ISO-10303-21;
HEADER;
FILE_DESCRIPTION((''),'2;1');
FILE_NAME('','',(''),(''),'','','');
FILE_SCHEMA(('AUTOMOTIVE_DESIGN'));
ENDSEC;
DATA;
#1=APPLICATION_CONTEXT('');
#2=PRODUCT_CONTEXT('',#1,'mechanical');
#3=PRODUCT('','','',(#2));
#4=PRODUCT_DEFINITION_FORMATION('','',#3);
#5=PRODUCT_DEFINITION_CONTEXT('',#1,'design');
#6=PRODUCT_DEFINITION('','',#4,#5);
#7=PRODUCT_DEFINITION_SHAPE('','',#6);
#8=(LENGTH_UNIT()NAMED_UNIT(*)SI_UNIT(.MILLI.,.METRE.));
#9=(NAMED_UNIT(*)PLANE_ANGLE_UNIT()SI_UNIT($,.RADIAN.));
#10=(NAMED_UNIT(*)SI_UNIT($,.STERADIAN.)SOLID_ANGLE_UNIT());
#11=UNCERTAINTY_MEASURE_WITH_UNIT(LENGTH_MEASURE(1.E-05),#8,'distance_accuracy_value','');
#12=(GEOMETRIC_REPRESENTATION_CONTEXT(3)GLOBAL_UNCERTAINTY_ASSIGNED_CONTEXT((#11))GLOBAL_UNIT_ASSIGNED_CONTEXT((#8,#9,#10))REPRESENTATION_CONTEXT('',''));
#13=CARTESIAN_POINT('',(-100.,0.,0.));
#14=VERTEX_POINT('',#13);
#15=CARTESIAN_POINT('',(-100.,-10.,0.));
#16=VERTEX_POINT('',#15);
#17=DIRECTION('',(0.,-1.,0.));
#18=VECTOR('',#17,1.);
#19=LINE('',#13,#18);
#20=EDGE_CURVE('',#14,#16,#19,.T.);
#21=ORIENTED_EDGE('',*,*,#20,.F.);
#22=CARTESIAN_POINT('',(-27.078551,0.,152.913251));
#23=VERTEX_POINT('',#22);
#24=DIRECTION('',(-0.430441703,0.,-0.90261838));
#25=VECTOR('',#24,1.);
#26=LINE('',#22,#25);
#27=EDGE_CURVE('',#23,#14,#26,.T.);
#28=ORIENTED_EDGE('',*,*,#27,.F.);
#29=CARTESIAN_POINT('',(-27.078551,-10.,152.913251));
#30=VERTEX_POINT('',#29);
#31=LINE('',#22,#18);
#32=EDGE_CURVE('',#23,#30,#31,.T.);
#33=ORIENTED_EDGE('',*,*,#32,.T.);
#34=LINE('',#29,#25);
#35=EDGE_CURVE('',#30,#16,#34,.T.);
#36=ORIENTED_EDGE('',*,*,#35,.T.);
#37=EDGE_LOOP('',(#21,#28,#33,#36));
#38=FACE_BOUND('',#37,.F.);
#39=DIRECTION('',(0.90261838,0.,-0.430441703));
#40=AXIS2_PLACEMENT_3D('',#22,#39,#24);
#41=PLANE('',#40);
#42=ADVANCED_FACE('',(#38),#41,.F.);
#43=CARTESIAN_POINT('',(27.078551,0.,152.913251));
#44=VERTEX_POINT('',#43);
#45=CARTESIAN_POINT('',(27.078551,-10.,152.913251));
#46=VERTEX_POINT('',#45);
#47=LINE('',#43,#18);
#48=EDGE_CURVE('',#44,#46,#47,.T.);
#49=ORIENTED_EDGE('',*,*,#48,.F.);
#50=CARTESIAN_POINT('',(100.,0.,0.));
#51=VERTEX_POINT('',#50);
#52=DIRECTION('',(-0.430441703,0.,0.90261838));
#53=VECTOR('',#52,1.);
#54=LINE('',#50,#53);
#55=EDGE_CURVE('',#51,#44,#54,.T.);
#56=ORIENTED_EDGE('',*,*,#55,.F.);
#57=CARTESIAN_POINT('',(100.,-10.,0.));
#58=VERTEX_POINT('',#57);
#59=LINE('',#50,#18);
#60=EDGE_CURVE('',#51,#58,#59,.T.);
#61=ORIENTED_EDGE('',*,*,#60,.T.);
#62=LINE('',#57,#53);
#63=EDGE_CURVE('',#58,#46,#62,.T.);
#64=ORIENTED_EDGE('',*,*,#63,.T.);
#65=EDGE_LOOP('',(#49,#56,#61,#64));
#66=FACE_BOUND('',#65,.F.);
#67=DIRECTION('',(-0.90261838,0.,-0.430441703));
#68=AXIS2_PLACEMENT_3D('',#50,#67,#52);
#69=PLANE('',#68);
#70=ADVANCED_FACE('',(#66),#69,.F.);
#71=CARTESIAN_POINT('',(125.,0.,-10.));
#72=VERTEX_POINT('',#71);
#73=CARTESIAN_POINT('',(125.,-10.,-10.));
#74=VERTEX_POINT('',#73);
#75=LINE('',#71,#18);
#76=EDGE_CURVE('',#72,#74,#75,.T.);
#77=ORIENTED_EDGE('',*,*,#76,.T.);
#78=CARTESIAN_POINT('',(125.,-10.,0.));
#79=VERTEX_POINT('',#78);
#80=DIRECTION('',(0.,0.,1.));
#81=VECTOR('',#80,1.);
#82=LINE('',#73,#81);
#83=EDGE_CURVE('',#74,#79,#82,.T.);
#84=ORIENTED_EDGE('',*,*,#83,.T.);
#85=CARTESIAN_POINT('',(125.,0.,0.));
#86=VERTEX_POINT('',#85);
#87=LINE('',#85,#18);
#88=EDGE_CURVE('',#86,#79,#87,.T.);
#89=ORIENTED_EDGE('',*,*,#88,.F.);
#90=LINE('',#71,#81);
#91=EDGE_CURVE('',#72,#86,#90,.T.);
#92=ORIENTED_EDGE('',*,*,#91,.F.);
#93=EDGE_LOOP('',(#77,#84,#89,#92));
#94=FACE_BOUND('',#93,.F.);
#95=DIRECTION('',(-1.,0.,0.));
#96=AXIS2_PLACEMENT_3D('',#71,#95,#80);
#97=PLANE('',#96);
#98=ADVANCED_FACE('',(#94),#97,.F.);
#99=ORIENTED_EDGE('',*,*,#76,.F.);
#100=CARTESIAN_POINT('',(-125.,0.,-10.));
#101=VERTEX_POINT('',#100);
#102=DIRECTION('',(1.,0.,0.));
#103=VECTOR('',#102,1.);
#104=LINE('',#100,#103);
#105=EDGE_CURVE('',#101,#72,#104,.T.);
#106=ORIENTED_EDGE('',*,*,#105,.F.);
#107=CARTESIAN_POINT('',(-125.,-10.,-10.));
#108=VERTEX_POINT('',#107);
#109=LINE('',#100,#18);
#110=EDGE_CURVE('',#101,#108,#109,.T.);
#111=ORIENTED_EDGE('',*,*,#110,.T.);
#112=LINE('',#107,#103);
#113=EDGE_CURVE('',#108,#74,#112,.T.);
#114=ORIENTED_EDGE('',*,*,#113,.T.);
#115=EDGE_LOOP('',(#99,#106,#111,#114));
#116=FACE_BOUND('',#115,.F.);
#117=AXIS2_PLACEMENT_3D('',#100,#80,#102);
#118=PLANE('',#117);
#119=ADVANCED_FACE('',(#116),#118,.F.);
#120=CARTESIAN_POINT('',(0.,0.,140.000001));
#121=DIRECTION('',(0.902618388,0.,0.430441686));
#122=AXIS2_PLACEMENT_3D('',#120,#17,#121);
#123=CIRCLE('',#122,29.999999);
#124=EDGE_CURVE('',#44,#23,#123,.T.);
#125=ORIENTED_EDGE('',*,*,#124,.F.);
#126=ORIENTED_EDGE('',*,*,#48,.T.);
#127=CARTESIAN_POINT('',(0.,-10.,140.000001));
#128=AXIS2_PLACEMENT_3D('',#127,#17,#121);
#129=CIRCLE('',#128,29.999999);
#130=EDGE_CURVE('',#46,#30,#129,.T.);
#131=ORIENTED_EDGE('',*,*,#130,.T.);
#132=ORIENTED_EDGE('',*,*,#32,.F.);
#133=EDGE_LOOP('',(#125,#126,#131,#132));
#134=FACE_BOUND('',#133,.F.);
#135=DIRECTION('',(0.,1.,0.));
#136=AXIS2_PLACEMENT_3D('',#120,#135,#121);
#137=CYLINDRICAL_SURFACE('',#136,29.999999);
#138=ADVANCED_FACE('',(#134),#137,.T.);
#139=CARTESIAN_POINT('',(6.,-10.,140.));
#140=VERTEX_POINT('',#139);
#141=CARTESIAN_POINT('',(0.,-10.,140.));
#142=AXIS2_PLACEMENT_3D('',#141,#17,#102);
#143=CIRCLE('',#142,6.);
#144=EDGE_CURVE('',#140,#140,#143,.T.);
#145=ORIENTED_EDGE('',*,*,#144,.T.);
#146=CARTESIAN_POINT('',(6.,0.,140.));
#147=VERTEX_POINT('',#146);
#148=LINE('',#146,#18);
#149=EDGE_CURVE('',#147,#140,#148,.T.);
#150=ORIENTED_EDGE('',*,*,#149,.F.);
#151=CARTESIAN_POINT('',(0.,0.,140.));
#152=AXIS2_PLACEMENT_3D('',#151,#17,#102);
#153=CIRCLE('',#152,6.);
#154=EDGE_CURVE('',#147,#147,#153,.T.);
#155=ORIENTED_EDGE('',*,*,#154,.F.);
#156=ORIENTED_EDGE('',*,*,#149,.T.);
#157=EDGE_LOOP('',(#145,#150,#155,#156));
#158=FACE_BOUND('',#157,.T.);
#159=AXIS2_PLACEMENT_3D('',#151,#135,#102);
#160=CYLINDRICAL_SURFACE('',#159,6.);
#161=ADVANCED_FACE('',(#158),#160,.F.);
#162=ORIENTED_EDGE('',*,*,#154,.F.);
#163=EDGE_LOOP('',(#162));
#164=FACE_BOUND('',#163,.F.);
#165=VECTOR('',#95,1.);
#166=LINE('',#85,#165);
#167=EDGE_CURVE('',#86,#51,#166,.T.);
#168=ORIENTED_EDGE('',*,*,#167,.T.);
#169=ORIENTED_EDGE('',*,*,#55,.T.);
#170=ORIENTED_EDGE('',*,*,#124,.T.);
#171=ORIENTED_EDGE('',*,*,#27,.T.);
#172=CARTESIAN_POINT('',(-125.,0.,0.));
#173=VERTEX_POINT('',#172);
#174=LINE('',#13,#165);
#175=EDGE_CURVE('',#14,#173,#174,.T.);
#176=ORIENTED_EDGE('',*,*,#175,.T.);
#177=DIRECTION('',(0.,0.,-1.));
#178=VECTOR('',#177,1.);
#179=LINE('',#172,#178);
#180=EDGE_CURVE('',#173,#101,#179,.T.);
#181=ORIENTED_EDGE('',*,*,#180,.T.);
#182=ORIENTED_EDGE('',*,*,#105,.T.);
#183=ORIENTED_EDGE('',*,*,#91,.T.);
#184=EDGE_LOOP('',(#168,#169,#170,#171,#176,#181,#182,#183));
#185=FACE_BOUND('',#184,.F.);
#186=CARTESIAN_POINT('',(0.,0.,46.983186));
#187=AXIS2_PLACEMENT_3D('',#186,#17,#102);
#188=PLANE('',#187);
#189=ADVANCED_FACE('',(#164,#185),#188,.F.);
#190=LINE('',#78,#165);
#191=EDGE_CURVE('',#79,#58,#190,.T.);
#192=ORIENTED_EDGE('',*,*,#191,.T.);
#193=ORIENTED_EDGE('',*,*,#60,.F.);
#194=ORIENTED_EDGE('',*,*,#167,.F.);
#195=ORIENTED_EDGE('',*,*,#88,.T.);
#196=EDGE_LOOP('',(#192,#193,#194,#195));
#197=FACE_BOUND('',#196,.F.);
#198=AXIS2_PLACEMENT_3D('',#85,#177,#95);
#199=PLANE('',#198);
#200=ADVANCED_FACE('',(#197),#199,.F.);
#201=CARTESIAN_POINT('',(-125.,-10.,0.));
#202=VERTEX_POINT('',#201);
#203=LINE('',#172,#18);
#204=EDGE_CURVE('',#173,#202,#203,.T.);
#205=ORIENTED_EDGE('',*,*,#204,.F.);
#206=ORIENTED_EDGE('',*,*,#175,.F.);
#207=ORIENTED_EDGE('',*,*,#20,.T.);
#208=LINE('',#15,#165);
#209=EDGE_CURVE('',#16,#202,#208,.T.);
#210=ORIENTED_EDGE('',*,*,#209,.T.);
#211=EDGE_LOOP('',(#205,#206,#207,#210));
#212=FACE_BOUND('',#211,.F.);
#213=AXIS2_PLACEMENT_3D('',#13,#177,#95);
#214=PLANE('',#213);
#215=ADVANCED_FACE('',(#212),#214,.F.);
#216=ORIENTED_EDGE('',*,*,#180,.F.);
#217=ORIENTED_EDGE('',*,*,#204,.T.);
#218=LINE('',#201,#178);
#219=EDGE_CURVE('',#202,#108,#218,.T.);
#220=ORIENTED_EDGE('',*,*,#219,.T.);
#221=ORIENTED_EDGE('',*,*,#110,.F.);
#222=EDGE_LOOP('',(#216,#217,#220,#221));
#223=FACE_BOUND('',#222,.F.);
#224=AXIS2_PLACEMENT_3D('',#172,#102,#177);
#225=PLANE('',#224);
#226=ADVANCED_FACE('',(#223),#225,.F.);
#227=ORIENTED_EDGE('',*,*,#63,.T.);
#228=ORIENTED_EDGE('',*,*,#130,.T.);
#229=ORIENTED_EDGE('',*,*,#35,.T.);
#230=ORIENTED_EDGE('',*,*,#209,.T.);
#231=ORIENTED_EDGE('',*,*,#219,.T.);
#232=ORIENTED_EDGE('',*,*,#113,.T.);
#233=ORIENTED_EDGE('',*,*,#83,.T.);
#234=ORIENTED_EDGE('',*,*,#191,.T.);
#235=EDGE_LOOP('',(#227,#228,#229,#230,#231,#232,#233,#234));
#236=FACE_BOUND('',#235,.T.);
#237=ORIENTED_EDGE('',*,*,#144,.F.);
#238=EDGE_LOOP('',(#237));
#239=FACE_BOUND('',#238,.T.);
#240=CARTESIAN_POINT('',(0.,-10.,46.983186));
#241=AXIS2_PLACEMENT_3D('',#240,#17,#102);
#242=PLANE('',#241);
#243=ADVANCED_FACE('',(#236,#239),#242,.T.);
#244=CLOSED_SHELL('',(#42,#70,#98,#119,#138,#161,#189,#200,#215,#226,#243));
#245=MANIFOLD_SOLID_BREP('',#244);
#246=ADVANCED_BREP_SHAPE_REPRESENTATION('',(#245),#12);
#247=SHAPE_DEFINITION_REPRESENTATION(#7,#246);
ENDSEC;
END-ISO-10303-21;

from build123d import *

# Parameters (mm, degrees)
F0_R     = 6
F1_DEPTH = 10


with BuildPart() as f1:
    # F0 (on Front) → F1 (new body)
    with BuildSketch(Plane.XZ):
        with BuildLine():
            Line((100, 0), (27.078551, 152.913251))
            ThreePointArc((27.078551, 152.913251), (0, 170), (-27.078551, 152.913251))
            Line((-27.078551, 152.913251), (-100, 0))
            Line((-100, 0), (-125, 0))
            Line((-125, 0), (-125, -10))
            Line((-125, -10), (125, -10))
            Line((125, -10), (125, 0))
            Line((125, 0), (100, 0))
        make_face()
        with Locations((0, 140)):
            Circle(F0_R, mode=Mode.SUBTRACT)
    extrude(amount=F1_DEPTH)


solid = f1.part
